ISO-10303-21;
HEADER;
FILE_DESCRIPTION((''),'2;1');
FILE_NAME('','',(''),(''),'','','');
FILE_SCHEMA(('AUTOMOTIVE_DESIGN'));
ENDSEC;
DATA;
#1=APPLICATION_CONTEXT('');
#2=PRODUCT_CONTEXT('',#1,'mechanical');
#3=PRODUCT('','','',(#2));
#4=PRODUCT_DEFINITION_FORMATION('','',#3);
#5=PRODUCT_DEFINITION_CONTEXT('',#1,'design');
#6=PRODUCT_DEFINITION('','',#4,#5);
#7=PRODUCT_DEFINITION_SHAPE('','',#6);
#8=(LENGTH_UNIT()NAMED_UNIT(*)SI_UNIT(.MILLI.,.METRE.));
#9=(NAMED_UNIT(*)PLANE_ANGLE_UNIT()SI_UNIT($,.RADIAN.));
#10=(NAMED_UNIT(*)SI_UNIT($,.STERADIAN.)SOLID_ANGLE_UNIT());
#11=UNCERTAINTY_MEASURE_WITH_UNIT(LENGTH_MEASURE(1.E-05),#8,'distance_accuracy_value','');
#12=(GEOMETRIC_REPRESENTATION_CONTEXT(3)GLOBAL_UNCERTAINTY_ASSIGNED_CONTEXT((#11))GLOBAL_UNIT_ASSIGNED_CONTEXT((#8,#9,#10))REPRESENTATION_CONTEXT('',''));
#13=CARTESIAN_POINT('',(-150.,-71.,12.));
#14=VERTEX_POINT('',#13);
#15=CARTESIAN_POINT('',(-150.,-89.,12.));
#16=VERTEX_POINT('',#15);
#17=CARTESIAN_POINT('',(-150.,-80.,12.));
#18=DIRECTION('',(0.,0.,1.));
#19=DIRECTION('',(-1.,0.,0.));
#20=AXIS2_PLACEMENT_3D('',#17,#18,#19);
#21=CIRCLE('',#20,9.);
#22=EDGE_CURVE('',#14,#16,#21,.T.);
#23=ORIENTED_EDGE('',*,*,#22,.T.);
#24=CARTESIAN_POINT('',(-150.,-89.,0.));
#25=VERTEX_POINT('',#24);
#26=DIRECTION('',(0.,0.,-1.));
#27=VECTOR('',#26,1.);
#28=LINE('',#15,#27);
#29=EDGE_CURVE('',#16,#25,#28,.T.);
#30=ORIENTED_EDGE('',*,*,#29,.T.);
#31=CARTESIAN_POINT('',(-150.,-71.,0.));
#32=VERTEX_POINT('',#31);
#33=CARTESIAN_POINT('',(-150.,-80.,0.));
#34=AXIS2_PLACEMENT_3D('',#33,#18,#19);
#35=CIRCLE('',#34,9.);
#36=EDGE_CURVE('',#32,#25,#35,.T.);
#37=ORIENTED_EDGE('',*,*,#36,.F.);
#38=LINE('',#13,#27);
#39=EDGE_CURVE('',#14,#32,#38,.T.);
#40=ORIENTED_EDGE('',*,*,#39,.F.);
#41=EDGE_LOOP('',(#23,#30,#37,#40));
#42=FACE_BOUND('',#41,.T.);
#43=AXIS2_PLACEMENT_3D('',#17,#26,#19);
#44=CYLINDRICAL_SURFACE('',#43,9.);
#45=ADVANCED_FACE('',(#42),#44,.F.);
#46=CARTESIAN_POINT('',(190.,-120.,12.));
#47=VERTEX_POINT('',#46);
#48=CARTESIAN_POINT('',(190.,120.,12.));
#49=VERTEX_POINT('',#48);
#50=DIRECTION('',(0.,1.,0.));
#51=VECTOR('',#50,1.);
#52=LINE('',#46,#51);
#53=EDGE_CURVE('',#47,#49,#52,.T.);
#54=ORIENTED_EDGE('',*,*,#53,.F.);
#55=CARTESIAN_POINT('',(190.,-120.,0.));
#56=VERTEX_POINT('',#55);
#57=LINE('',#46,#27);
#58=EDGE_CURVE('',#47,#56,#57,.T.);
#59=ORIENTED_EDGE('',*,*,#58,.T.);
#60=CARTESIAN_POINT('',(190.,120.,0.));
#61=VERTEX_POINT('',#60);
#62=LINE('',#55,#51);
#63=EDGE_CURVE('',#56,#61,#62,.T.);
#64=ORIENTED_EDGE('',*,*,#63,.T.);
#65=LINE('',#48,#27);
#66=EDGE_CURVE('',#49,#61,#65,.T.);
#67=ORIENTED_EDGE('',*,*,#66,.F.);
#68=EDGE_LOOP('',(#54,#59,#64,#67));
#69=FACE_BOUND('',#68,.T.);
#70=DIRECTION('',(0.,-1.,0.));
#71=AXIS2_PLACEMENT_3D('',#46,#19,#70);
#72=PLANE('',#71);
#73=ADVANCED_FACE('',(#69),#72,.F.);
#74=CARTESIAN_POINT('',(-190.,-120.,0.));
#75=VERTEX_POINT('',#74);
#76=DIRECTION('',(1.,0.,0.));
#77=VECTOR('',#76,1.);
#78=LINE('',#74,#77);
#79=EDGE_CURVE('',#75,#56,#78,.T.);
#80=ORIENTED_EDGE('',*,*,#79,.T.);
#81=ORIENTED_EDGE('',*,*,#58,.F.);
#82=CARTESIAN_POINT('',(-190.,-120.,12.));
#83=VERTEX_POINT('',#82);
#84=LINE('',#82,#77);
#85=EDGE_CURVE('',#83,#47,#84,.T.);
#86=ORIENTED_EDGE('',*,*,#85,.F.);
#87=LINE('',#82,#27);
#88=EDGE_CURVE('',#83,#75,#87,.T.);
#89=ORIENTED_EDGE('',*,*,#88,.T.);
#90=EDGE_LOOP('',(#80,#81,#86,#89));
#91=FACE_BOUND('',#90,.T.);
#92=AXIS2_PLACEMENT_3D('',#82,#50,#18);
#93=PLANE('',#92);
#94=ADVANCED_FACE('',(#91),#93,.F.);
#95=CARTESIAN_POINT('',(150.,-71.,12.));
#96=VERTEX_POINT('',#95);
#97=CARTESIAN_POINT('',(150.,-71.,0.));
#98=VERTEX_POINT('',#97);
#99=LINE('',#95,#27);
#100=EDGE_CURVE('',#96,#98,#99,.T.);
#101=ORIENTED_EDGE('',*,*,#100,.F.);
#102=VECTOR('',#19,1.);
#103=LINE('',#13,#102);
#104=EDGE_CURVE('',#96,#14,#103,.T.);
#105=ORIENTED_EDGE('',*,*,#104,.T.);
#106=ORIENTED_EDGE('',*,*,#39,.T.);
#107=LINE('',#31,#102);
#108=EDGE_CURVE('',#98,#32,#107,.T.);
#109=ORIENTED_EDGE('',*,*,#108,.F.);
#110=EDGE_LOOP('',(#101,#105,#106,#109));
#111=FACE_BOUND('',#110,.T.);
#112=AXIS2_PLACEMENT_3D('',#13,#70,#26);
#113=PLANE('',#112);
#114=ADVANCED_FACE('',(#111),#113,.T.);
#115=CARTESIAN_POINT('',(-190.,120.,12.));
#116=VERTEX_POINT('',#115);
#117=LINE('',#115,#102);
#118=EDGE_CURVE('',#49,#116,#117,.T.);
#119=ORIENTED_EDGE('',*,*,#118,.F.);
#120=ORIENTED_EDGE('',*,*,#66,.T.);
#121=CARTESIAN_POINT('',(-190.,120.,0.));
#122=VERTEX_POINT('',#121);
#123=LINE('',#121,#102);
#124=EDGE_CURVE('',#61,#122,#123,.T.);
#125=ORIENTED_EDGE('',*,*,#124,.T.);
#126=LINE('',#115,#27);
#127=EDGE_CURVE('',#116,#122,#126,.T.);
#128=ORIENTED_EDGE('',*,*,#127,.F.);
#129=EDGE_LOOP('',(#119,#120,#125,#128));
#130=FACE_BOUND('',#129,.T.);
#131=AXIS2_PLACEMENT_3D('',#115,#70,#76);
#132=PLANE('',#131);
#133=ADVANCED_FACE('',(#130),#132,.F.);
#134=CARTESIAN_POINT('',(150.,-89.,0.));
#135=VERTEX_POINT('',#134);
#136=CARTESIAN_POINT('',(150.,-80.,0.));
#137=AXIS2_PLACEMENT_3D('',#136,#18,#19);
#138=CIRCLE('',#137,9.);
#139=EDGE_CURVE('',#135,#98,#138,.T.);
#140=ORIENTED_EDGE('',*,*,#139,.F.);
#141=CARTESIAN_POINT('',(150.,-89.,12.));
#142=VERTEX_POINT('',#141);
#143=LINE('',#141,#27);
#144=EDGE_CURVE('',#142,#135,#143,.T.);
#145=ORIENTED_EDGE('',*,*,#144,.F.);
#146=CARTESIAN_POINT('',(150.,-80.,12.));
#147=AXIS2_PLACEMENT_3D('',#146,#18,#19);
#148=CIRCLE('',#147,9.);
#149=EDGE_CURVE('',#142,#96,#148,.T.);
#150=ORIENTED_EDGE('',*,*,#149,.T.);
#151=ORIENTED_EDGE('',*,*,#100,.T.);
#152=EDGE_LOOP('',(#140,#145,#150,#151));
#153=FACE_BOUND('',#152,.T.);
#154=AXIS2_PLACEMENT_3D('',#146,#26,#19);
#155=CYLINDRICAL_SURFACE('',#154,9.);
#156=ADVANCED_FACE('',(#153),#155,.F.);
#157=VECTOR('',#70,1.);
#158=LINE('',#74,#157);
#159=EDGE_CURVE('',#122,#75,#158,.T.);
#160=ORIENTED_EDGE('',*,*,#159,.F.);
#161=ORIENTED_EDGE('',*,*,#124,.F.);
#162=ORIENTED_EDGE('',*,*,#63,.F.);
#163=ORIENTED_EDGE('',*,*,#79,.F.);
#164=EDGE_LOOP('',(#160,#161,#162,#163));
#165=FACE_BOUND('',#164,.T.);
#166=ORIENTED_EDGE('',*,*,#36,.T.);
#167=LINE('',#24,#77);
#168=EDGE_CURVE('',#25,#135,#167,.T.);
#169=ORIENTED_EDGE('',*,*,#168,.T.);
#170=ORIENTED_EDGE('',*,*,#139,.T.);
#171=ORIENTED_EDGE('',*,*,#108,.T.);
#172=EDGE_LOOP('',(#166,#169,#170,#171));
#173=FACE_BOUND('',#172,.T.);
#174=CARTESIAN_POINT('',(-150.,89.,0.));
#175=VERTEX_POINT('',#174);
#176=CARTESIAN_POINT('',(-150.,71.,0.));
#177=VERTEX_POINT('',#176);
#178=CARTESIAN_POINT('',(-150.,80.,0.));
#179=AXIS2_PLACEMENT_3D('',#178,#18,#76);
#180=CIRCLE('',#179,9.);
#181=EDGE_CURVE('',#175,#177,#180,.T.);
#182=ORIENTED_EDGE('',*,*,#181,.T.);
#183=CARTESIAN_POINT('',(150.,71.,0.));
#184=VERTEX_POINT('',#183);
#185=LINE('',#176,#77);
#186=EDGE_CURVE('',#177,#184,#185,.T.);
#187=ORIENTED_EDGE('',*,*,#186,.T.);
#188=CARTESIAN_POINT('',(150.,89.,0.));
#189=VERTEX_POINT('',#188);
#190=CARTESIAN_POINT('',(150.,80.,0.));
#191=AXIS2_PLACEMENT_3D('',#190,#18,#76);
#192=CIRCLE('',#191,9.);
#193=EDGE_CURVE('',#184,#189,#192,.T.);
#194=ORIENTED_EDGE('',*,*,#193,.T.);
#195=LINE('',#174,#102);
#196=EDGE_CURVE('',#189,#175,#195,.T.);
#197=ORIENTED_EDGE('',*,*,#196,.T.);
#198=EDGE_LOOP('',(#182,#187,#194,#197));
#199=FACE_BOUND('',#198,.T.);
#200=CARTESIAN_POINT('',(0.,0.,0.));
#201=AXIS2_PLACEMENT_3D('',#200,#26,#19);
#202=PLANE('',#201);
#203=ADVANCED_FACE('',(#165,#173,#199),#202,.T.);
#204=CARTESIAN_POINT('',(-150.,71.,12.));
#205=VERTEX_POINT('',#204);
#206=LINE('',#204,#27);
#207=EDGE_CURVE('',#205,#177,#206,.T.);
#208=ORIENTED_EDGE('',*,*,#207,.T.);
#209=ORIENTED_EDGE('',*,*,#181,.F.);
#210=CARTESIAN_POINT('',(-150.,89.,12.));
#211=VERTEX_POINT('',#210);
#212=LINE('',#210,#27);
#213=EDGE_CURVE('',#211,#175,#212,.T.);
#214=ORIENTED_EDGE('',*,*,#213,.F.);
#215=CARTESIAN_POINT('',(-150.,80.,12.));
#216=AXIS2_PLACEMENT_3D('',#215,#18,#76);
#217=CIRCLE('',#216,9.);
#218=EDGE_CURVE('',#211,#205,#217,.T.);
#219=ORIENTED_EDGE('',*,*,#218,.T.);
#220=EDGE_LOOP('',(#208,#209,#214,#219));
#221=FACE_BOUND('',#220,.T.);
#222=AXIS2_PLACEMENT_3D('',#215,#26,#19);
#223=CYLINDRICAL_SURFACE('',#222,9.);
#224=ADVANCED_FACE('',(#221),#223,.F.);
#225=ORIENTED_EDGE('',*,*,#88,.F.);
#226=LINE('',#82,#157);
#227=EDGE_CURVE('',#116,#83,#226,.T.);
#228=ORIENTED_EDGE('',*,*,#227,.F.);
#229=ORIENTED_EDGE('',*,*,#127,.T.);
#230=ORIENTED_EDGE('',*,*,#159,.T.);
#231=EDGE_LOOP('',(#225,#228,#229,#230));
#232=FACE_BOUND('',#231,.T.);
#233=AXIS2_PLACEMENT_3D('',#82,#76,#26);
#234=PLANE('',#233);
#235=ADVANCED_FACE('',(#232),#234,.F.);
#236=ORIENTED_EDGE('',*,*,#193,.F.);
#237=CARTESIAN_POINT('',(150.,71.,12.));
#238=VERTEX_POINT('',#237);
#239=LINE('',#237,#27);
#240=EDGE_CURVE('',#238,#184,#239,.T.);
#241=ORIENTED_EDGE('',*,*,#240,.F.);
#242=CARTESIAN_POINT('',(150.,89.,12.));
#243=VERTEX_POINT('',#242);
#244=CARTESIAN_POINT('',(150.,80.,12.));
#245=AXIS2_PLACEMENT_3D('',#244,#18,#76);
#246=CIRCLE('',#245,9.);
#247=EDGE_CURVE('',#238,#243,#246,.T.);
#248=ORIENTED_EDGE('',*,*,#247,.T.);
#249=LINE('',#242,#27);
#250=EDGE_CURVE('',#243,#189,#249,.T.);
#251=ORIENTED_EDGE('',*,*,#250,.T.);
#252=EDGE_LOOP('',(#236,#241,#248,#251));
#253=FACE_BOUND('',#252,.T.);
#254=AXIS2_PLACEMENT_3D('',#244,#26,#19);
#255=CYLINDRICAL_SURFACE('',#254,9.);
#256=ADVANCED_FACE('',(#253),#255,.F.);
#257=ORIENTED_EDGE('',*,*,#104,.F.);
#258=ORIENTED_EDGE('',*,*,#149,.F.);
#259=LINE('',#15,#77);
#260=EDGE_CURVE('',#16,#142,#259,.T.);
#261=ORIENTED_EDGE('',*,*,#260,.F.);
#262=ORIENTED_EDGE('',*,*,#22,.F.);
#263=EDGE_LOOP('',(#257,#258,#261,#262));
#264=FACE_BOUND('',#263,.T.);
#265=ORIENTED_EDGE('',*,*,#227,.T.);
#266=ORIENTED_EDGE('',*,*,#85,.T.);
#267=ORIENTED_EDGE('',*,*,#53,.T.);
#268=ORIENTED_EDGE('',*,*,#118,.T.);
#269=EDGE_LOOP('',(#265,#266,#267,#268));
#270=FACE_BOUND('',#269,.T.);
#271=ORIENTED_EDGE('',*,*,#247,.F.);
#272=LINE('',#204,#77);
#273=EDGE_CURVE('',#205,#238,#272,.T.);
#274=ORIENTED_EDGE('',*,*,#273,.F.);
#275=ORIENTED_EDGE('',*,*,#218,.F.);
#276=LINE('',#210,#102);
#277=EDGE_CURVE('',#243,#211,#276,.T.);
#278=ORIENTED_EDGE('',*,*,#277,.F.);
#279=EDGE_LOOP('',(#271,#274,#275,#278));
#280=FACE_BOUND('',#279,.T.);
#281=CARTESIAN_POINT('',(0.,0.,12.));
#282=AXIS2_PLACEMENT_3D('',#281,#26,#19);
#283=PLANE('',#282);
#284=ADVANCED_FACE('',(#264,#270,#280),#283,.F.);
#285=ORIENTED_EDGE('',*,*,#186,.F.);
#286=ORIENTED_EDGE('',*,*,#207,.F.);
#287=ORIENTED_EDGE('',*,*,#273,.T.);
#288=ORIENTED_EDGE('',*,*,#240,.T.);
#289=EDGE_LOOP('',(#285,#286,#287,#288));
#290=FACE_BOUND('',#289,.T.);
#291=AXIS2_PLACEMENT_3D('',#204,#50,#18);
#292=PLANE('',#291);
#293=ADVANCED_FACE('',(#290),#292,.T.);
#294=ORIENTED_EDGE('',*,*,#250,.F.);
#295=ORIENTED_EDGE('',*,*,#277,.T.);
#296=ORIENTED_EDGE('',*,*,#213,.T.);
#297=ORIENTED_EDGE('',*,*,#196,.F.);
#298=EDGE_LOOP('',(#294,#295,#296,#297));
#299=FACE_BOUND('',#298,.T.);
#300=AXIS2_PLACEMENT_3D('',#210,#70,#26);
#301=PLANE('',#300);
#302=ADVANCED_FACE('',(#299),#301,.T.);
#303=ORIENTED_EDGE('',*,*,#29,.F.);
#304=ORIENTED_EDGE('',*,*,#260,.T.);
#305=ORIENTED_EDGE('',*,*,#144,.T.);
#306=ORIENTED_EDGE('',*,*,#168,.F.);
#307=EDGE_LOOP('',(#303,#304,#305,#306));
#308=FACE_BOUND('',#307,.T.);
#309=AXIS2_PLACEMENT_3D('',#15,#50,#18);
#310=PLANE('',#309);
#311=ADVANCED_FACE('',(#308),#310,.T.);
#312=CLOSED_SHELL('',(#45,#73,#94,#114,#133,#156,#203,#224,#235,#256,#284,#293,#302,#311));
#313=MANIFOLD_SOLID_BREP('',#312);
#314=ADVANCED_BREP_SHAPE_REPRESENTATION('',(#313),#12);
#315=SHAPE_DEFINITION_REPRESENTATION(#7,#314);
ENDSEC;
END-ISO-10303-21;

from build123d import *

# Parameters (mm, degrees)
SKETCH1_W           = 380
SKETCH1_H           = 240
BOSS_EXTRUDE1_DEPTH = 12


with BuildPart() as part:
    # Sketch1 → Boss-Extrude1 (new body)
    with BuildSketch(Plane.XY):
        Rectangle(SKETCH1_W, SKETCH1_H)
        with BuildLine():
            Line((-150, 89), (150, 89))
            ThreePointArc((150, 89), (159, 80), (150, 71))
            Line((150, 71), (-150, 71))
            ThreePointArc((-150, 71), (-159, 80), (-150, 89))
        make_face(mode=Mode.SUBTRACT)
        with BuildLine():
            Line((-150, -89), (150, -89))
            ThreePointArc((150, -89), (159, -80), (150, -71))
            Line((150, -71), (-150, -71))
            ThreePointArc((-150, -71), (-159, -80), (-150, -89))
        make_face(mode=Mode.SUBTRACT)
    extrude(amount=BOSS_EXTRUDE1_DEPTH)


solid = part.part
